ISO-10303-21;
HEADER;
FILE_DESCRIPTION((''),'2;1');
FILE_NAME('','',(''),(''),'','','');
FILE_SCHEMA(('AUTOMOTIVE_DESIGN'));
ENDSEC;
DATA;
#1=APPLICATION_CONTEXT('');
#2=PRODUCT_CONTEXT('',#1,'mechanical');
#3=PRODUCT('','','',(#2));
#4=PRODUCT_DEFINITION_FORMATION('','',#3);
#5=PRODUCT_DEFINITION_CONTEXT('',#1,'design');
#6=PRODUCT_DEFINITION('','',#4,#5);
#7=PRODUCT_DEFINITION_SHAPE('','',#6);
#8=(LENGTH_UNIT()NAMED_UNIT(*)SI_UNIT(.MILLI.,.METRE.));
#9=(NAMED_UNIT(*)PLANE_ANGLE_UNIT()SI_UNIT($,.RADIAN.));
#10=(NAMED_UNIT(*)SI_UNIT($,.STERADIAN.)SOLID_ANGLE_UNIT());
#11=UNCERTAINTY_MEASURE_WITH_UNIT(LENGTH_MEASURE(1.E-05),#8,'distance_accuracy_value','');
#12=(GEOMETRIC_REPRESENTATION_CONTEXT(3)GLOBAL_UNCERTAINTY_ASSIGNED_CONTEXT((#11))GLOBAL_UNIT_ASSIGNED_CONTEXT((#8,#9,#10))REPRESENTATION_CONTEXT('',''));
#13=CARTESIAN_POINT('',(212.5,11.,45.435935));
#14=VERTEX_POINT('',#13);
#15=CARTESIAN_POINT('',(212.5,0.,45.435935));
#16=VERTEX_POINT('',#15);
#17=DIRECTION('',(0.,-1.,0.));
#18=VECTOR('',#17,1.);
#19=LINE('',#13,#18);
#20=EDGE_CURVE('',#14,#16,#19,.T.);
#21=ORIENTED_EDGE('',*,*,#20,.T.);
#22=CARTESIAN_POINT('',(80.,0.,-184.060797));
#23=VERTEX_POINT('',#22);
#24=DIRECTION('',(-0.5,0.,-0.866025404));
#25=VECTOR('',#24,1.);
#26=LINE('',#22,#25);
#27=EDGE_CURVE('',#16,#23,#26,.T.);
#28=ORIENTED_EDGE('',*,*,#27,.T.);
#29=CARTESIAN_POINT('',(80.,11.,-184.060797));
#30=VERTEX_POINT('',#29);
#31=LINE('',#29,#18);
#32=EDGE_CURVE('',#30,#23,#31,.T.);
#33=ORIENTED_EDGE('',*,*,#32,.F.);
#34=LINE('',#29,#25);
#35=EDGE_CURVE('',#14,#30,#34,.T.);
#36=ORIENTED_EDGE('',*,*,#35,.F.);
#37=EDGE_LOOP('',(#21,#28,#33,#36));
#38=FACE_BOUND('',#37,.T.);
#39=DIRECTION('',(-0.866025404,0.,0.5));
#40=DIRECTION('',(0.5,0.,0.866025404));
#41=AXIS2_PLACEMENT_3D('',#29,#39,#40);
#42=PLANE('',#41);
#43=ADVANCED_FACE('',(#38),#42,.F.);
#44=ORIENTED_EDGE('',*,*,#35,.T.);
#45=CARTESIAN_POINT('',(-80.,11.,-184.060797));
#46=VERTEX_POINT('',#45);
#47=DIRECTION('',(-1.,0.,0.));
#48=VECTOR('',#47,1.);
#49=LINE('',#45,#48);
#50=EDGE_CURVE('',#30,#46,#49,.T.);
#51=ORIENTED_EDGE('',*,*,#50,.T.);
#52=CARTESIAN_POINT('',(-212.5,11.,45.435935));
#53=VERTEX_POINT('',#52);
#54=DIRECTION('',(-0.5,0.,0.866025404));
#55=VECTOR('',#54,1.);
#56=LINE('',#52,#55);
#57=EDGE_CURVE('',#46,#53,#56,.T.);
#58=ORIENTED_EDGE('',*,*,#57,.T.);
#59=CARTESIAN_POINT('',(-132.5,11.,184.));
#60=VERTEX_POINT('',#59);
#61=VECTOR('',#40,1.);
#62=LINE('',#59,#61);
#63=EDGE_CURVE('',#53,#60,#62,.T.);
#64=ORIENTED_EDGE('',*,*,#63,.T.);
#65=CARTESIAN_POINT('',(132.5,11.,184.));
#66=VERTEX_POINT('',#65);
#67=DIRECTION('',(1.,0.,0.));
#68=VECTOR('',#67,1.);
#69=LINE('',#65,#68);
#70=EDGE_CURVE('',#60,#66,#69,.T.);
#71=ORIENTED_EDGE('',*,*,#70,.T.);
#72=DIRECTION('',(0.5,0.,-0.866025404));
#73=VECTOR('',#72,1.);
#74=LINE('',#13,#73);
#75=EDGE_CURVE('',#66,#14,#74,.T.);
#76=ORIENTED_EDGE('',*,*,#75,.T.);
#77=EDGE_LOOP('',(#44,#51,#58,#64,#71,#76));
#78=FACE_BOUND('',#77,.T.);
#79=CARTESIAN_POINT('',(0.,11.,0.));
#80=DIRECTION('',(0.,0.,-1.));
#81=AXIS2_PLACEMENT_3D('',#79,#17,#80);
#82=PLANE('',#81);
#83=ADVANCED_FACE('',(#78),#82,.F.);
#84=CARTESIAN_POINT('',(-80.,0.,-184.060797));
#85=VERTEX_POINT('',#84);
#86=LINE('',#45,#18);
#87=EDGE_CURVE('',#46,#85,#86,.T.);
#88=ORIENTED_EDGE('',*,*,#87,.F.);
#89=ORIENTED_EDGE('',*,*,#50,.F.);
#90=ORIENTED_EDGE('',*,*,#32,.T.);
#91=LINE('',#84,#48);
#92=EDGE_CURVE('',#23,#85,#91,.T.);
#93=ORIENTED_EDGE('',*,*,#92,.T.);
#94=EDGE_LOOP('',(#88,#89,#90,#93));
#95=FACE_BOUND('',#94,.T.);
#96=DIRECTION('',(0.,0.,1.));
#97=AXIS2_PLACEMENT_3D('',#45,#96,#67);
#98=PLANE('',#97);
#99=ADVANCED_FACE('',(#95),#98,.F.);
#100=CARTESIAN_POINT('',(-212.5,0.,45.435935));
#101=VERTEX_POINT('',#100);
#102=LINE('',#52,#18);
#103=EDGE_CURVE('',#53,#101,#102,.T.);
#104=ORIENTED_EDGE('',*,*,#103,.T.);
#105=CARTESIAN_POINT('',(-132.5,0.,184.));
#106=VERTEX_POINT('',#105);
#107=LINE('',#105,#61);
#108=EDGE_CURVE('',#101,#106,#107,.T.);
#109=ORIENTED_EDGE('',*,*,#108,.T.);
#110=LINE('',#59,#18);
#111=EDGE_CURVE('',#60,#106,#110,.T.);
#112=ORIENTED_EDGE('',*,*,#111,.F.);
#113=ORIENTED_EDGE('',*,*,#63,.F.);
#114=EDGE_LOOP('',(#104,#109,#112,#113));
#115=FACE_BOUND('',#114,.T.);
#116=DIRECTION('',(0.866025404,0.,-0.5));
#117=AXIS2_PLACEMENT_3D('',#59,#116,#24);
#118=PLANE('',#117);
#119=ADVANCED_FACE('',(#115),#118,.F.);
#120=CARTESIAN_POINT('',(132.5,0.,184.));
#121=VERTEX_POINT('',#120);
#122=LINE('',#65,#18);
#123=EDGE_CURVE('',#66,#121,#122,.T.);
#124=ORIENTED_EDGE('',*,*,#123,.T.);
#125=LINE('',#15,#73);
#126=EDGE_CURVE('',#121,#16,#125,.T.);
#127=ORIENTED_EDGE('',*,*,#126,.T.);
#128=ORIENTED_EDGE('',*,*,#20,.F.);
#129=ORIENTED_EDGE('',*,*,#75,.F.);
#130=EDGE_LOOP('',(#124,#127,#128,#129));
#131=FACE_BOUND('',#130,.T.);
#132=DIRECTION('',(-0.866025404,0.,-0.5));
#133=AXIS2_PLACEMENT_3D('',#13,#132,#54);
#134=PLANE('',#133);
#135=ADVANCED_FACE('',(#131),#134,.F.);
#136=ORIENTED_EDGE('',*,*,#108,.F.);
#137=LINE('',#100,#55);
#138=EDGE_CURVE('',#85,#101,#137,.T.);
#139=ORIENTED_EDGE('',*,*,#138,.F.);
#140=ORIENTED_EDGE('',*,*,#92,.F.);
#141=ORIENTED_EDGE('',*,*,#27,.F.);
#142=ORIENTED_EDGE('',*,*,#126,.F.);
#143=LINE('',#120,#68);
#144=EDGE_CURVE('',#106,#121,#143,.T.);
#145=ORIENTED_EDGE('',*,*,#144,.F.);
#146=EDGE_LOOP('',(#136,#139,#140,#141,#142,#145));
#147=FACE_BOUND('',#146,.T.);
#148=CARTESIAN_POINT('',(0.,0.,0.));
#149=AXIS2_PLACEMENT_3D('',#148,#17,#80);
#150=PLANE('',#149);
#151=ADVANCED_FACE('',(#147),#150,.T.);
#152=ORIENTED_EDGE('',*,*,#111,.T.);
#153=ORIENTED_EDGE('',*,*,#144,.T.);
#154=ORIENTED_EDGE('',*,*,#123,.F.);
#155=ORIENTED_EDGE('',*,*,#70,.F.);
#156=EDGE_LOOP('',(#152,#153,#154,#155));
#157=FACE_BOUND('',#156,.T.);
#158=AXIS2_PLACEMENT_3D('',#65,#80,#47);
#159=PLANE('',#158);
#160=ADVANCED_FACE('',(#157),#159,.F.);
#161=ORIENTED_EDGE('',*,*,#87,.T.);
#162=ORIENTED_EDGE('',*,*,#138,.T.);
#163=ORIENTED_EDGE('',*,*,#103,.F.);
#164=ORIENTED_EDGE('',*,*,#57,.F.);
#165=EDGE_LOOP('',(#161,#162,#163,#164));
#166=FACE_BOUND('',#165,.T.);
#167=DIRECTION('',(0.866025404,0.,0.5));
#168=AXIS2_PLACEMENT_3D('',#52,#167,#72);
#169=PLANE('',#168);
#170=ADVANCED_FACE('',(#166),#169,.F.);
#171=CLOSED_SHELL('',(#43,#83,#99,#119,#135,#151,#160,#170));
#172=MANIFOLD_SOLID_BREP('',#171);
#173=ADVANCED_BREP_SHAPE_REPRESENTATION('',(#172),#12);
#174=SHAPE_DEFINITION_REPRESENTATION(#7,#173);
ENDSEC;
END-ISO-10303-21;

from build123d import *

# Parameters (mm, degrees)
BOSS_EXTRUDE1_DEPTH = 11


with BuildPart() as part:
    # Sketch1 → Boss-Extrude1 (new body)
    with BuildSketch(Plane(origin=(0, 0, 0), x_dir=(1, 0, 0), z_dir=(0, 1, 0))):
        Polygon((-80, 184.060796608), (80, 184.060796608), (212.5, -45.435935394), (132.5, -184), (-132.5, -184), (-212.5, -45.435935394), align=None)
    extrude(amount=BOSS_EXTRUDE1_DEPTH)


solid = part.part
